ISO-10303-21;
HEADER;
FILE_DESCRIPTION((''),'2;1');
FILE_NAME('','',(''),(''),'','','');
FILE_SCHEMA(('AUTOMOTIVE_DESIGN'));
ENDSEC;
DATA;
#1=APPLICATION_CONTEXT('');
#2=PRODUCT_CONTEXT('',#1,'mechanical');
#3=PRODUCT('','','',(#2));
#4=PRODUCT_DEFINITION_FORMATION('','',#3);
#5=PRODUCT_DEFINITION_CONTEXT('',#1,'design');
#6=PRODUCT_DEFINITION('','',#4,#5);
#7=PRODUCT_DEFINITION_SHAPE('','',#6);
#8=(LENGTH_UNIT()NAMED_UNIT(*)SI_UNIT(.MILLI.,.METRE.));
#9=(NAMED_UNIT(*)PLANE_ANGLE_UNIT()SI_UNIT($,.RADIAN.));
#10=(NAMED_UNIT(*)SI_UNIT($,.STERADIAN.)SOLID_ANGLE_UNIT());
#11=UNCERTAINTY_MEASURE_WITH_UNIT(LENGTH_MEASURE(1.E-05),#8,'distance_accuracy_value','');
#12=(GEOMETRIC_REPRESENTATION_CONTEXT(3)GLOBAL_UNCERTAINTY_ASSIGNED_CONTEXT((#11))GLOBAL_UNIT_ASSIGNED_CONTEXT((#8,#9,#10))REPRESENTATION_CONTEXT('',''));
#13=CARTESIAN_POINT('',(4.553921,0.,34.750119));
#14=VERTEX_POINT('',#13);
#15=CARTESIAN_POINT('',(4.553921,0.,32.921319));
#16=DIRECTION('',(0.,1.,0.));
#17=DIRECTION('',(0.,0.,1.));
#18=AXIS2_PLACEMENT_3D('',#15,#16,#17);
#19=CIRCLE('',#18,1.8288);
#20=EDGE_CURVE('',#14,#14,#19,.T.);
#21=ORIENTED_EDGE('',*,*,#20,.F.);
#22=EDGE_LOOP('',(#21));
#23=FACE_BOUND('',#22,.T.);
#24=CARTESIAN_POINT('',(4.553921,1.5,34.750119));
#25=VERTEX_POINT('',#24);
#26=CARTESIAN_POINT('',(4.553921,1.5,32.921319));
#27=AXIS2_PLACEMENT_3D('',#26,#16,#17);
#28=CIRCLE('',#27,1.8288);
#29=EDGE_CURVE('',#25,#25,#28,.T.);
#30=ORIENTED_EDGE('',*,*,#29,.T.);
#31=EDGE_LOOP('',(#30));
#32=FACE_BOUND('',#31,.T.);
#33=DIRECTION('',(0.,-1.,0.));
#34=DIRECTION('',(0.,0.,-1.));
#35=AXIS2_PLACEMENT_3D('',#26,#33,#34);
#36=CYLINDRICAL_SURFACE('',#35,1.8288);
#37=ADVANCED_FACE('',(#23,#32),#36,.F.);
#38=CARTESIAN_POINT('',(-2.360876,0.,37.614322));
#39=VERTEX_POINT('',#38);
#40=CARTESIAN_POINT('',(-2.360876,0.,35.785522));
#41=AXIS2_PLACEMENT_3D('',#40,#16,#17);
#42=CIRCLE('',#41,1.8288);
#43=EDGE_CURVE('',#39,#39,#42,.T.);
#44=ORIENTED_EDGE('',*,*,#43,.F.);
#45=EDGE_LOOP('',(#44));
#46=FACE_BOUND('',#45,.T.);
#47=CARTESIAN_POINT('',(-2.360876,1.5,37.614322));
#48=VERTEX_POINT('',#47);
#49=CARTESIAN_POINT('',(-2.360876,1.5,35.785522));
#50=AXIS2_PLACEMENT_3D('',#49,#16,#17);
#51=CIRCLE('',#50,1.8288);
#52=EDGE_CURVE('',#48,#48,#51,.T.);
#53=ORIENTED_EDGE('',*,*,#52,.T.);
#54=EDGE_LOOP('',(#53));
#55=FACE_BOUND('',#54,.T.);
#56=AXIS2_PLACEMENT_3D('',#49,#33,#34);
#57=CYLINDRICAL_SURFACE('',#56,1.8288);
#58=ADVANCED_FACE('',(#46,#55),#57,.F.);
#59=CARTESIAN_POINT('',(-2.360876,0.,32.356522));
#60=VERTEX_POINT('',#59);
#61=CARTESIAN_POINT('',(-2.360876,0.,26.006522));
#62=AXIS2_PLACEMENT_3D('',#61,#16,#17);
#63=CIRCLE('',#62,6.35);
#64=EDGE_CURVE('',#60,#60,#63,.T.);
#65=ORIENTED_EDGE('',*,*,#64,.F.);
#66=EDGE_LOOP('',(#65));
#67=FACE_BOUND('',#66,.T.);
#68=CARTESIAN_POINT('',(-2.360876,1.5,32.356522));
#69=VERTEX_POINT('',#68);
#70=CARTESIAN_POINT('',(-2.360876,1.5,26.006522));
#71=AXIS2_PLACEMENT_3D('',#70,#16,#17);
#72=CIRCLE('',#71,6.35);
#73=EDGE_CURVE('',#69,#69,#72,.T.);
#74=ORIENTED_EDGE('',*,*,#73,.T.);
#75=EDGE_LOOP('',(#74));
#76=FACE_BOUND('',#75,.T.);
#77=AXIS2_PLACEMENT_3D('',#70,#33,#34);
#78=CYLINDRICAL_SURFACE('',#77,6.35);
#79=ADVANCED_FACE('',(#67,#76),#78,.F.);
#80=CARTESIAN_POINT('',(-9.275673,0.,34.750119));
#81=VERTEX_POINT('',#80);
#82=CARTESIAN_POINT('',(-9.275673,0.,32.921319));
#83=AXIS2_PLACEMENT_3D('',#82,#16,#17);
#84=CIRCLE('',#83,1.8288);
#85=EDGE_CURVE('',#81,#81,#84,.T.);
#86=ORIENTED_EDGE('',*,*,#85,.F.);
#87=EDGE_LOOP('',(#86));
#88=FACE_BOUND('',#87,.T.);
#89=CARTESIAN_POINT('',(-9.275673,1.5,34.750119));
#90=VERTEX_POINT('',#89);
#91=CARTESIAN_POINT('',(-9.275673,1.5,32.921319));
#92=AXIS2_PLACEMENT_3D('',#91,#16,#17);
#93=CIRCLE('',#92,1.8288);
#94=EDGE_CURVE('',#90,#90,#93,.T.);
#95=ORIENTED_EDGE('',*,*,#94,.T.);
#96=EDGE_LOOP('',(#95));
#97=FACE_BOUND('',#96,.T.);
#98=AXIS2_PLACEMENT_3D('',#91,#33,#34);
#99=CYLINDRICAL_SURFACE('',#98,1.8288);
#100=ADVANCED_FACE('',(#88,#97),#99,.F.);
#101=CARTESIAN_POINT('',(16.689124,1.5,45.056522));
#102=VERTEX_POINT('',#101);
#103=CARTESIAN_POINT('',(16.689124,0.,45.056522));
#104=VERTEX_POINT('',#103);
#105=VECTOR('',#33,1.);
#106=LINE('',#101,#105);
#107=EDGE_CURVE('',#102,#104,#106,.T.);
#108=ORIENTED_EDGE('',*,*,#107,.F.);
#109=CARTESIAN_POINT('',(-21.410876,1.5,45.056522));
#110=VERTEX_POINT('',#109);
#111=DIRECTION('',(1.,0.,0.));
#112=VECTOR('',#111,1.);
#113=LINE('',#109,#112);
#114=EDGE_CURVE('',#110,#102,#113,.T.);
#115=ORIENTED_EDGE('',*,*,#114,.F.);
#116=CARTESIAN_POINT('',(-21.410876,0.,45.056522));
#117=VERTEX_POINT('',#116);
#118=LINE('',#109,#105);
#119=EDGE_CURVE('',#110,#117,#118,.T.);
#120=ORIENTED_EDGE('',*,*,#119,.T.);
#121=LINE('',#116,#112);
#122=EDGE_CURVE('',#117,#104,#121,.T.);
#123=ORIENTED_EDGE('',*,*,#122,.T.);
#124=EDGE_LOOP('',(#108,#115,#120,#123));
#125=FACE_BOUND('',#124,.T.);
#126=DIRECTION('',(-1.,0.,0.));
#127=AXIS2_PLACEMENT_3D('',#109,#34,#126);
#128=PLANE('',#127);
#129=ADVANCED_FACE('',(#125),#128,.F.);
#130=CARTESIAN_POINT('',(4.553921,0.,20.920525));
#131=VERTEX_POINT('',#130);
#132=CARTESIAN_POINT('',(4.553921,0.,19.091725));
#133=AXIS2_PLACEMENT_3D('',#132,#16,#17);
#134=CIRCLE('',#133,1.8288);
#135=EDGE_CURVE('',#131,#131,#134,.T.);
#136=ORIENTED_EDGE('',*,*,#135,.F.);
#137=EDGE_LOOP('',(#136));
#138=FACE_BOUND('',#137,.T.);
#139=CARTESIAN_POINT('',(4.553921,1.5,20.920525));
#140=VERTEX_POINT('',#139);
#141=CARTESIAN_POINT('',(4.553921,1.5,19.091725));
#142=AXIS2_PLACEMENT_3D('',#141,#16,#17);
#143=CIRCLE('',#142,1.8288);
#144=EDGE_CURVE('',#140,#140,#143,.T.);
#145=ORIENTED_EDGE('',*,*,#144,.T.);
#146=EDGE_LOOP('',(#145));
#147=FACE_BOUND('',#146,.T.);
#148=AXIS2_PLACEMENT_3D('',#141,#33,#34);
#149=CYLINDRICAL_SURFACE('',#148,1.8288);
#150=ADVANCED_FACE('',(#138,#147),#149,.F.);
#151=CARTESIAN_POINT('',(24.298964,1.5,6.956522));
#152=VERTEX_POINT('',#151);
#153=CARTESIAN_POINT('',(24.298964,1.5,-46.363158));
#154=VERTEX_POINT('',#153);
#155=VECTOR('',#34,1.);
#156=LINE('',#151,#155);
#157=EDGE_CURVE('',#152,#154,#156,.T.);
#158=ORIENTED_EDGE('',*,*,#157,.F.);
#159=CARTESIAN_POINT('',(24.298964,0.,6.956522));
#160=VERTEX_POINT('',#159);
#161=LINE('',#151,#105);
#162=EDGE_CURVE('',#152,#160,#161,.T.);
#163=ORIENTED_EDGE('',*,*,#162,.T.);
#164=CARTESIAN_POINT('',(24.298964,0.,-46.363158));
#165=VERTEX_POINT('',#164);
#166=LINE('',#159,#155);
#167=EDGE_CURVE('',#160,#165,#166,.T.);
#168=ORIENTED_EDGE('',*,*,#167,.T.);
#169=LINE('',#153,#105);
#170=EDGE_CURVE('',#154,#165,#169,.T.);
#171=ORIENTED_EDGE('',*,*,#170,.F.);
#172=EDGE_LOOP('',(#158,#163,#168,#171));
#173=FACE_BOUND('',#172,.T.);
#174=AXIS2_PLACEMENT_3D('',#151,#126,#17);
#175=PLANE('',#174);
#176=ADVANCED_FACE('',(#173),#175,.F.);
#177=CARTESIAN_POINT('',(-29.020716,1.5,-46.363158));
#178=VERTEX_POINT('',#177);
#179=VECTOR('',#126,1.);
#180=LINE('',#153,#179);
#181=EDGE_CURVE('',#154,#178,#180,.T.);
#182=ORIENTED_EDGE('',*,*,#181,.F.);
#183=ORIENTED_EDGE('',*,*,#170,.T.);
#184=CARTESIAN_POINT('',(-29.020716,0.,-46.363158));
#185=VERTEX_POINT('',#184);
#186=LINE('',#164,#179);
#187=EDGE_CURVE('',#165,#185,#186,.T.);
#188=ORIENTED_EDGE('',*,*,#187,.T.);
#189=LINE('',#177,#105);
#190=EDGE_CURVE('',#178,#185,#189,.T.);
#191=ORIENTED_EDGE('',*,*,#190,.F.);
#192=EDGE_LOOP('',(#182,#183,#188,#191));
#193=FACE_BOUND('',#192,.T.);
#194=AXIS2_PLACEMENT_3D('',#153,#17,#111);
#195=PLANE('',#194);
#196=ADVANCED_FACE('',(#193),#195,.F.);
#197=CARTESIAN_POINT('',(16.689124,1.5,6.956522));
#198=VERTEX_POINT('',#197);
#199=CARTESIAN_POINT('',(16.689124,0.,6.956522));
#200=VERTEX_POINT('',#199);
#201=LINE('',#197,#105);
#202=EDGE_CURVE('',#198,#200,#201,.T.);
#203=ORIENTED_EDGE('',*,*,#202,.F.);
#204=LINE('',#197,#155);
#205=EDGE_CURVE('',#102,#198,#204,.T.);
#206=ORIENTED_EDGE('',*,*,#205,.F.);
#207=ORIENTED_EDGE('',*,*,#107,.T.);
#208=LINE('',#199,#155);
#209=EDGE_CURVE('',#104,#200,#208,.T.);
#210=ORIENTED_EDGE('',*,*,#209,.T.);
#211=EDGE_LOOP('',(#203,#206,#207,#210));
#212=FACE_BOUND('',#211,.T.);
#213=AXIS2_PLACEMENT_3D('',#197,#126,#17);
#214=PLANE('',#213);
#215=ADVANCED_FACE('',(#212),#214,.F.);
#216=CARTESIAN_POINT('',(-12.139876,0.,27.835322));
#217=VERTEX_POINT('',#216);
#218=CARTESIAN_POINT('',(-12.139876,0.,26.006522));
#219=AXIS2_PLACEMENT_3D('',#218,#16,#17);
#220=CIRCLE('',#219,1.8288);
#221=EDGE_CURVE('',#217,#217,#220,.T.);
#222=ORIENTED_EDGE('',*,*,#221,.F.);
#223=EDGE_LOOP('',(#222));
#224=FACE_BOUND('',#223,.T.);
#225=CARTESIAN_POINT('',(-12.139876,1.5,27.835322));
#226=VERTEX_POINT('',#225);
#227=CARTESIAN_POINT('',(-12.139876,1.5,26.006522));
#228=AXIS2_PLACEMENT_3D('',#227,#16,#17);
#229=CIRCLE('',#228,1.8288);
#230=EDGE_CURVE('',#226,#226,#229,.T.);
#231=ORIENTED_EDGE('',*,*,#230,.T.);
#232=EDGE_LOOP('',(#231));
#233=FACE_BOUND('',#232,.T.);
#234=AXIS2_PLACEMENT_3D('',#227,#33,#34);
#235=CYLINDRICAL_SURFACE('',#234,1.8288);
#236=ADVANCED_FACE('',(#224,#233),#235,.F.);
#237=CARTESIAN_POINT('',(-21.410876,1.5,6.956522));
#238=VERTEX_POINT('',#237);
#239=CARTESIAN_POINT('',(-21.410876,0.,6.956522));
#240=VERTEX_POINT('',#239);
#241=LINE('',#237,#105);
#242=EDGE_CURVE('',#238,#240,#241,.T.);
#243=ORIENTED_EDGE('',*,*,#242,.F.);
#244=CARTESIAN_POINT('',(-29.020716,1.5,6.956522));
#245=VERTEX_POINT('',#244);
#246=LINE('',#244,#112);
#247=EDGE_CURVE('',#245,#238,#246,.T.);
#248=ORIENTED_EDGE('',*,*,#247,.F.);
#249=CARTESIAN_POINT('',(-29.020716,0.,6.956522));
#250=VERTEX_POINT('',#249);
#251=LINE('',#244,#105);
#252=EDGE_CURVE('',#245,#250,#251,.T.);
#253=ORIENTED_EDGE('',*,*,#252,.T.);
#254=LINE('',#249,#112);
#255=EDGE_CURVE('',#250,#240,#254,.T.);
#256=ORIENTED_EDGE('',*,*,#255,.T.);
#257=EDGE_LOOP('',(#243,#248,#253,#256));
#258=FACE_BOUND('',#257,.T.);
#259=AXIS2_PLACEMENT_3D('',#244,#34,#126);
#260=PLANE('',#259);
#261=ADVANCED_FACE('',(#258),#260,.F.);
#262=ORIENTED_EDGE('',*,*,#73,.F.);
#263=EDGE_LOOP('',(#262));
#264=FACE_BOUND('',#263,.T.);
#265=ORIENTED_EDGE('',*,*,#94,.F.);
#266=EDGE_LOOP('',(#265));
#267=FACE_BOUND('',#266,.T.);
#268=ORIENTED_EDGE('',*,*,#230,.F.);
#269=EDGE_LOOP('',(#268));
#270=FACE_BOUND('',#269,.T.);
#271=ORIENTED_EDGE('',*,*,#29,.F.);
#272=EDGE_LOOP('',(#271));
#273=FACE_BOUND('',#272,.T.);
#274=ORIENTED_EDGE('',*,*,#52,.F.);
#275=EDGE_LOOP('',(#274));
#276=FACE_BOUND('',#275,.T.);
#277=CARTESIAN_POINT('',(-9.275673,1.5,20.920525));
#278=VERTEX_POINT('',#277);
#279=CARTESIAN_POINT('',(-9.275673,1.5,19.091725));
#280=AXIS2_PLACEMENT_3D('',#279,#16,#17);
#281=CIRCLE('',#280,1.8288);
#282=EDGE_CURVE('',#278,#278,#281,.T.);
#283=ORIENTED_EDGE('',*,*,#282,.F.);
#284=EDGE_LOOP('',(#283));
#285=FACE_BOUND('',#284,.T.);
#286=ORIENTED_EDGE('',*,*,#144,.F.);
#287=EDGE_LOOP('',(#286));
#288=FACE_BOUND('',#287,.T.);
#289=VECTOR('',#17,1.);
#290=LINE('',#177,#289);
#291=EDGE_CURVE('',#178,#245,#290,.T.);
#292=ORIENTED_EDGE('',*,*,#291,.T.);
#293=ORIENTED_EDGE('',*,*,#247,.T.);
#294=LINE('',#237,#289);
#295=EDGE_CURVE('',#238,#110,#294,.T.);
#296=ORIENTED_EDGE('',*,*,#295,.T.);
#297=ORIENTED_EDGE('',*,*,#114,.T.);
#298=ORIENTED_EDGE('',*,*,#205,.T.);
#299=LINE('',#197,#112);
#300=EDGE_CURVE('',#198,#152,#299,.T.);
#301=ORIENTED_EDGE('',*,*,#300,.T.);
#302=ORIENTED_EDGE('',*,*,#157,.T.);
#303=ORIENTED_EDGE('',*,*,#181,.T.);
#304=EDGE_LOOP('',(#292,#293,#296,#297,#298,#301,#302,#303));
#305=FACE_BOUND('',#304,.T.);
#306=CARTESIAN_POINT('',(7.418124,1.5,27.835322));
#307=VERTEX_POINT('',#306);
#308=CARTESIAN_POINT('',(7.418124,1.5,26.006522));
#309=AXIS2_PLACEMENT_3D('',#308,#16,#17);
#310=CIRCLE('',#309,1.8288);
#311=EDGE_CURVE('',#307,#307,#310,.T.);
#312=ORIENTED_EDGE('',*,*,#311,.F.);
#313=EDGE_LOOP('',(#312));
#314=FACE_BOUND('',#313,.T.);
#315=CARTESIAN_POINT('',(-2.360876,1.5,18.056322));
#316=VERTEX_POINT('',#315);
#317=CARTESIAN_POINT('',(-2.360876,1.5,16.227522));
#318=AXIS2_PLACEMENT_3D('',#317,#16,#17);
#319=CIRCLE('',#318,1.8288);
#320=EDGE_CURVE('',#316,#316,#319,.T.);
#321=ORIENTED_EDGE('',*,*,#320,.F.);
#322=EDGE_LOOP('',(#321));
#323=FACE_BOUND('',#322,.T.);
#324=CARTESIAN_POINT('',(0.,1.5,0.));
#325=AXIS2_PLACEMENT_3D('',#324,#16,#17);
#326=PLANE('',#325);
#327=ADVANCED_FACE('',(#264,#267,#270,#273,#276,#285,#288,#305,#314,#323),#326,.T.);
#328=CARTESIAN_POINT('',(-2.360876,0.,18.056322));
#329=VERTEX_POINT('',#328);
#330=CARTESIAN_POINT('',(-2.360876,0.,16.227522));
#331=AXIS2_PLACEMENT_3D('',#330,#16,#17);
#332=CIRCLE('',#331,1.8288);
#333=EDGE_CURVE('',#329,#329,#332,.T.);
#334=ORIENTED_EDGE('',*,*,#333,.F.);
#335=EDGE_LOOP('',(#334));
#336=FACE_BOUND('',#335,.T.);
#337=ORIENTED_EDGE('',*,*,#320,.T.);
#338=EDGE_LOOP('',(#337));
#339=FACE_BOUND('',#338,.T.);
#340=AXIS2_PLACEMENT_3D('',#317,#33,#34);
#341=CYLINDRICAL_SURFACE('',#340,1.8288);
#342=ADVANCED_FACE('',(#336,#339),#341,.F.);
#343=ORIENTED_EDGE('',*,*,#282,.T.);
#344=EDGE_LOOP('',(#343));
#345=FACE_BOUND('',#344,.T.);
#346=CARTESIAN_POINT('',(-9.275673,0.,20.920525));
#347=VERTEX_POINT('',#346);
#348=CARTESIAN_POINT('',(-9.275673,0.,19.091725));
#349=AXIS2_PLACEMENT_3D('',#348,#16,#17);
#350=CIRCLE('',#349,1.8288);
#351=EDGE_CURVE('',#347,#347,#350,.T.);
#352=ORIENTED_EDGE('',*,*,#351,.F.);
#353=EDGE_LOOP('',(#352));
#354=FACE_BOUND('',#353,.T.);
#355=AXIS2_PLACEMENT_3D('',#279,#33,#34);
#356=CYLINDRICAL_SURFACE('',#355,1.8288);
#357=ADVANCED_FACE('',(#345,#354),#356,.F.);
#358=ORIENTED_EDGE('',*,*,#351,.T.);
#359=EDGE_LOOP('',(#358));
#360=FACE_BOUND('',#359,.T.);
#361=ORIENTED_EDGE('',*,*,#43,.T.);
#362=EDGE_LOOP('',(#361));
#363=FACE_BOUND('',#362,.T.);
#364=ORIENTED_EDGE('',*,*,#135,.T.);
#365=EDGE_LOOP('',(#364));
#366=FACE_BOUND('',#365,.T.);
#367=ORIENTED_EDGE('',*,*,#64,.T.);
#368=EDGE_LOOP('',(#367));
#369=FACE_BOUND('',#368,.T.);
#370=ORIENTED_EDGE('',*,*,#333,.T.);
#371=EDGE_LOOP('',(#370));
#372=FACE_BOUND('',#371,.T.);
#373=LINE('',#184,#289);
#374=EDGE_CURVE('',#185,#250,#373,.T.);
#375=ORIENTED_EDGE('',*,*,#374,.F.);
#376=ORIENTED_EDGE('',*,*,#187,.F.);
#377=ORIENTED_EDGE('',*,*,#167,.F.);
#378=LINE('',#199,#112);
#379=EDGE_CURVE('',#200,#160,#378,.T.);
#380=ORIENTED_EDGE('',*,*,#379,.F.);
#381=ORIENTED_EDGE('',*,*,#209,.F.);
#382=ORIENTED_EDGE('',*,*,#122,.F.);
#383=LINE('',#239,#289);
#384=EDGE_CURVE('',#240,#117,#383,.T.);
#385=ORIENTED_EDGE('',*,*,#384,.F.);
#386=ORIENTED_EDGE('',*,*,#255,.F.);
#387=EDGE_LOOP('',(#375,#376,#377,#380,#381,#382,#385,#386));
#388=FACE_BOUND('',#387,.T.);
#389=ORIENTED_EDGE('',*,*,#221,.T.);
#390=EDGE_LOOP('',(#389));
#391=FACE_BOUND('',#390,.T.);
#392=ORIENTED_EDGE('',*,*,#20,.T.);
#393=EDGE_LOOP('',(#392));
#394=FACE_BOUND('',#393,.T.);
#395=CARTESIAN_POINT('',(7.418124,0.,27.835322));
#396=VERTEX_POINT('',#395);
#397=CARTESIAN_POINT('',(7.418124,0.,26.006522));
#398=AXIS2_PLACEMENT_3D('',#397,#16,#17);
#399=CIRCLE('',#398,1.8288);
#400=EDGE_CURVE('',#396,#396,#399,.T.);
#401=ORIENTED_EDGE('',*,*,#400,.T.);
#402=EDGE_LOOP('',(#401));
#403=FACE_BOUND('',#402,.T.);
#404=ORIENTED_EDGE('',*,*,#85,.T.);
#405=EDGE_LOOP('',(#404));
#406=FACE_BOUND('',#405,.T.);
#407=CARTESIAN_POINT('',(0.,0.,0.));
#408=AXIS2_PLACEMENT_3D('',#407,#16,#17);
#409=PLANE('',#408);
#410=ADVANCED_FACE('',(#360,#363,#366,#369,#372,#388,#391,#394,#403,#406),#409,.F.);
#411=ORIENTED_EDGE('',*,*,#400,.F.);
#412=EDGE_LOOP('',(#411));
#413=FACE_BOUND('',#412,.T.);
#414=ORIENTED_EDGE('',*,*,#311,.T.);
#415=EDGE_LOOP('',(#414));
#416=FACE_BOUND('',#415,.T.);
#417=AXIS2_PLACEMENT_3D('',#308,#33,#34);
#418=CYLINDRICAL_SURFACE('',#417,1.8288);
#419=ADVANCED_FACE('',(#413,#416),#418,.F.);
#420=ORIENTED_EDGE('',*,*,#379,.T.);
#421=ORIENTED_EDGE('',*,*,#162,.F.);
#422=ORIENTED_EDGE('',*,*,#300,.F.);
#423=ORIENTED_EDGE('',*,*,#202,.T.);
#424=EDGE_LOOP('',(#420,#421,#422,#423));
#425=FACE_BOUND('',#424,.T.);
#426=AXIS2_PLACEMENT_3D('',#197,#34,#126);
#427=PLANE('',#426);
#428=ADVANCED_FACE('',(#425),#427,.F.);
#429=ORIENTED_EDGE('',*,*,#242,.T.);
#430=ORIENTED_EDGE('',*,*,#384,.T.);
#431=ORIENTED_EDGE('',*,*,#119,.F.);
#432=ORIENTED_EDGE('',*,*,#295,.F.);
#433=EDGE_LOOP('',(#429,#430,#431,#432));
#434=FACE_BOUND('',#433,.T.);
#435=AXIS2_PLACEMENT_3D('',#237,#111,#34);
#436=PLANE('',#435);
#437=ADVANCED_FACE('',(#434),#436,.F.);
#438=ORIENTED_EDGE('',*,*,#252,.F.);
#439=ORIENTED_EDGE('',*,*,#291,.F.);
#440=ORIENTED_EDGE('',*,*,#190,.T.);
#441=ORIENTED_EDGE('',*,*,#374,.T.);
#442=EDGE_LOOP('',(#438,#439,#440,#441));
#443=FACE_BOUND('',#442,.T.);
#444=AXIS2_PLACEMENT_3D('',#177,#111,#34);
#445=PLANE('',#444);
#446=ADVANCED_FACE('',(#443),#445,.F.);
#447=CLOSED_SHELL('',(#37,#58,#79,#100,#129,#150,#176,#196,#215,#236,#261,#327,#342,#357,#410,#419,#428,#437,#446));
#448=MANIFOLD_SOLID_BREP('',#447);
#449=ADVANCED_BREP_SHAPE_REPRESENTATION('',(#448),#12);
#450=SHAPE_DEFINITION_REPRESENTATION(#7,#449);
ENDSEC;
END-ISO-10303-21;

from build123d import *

# Parameters (mm, degrees)
SKETCH1_R           = 1.8288
SKETCH1_R_2         = 6.35
BOSS_EXTRUDE1_DEPTH = 1.5


with BuildPart() as part:
    # Sketch1 → Boss-Extrude1 (new body)
    with BuildSketch(Plane(origin=(0, 0, 0), x_dir=(1, 0, 0), z_dir=(0, 1, 0))):
        Polygon((-21.410875754, -45.056521739), (16.689124246, -45.056521739), (16.689124246, -6.956521739), (24.298964246, -6.956521739), (24.298964246, 46.363158261), (-29.020715754, 46.363158261), (-29.020715754, -6.956521739), (-21.410875754, -6.956521739), align=None)
        with Locations(Location((-9.275672968, -19.091724526, 0), (0, 0, 270))):
            Circle(SKETCH1_R, mode=Mode.SUBTRACT)
        with Locations(Location((-2.360875754, -16.227521739, 0), (0, 0, 270))):
            Circle(SKETCH1_R, mode=Mode.SUBTRACT)
        with Locations(Location((-12.139875754, -26.006521739, 0), (0, 0, 270))):
            Circle(SKETCH1_R, mode=Mode.SUBTRACT)
        with Locations(Location((4.553921459, -19.091724526, 0), (0, 0, 270))):
            Circle(SKETCH1_R, mode=Mode.SUBTRACT)
        with Locations(Location((7.418124246, -26.006521739, 0), (0, 0, 270))):
            Circle(SKETCH1_R, mode=Mode.SUBTRACT)
        with Locations(Location((4.553921459, -32.921318952, 0), (0, 0, 270))):
            Circle(SKETCH1_R, mode=Mode.SUBTRACT)
        with Locations(Location((-2.360875754, -35.785521739, 0), (0, 0, 270))):
            Circle(SKETCH1_R, mode=Mode.SUBTRACT)
        with Locations(Location((-9.275672968, -32.921318952, 0), (0, 0, 270))):
            Circle(SKETCH1_R, mode=Mode.SUBTRACT)
        with Locations(Location((-2.360875754, -26.006521739, 0), (0, 0, 270))):
            Circle(SKETCH1_R_2, mode=Mode.SUBTRACT)
    extrude(amount=BOSS_EXTRUDE1_DEPTH)


solid = part.part
